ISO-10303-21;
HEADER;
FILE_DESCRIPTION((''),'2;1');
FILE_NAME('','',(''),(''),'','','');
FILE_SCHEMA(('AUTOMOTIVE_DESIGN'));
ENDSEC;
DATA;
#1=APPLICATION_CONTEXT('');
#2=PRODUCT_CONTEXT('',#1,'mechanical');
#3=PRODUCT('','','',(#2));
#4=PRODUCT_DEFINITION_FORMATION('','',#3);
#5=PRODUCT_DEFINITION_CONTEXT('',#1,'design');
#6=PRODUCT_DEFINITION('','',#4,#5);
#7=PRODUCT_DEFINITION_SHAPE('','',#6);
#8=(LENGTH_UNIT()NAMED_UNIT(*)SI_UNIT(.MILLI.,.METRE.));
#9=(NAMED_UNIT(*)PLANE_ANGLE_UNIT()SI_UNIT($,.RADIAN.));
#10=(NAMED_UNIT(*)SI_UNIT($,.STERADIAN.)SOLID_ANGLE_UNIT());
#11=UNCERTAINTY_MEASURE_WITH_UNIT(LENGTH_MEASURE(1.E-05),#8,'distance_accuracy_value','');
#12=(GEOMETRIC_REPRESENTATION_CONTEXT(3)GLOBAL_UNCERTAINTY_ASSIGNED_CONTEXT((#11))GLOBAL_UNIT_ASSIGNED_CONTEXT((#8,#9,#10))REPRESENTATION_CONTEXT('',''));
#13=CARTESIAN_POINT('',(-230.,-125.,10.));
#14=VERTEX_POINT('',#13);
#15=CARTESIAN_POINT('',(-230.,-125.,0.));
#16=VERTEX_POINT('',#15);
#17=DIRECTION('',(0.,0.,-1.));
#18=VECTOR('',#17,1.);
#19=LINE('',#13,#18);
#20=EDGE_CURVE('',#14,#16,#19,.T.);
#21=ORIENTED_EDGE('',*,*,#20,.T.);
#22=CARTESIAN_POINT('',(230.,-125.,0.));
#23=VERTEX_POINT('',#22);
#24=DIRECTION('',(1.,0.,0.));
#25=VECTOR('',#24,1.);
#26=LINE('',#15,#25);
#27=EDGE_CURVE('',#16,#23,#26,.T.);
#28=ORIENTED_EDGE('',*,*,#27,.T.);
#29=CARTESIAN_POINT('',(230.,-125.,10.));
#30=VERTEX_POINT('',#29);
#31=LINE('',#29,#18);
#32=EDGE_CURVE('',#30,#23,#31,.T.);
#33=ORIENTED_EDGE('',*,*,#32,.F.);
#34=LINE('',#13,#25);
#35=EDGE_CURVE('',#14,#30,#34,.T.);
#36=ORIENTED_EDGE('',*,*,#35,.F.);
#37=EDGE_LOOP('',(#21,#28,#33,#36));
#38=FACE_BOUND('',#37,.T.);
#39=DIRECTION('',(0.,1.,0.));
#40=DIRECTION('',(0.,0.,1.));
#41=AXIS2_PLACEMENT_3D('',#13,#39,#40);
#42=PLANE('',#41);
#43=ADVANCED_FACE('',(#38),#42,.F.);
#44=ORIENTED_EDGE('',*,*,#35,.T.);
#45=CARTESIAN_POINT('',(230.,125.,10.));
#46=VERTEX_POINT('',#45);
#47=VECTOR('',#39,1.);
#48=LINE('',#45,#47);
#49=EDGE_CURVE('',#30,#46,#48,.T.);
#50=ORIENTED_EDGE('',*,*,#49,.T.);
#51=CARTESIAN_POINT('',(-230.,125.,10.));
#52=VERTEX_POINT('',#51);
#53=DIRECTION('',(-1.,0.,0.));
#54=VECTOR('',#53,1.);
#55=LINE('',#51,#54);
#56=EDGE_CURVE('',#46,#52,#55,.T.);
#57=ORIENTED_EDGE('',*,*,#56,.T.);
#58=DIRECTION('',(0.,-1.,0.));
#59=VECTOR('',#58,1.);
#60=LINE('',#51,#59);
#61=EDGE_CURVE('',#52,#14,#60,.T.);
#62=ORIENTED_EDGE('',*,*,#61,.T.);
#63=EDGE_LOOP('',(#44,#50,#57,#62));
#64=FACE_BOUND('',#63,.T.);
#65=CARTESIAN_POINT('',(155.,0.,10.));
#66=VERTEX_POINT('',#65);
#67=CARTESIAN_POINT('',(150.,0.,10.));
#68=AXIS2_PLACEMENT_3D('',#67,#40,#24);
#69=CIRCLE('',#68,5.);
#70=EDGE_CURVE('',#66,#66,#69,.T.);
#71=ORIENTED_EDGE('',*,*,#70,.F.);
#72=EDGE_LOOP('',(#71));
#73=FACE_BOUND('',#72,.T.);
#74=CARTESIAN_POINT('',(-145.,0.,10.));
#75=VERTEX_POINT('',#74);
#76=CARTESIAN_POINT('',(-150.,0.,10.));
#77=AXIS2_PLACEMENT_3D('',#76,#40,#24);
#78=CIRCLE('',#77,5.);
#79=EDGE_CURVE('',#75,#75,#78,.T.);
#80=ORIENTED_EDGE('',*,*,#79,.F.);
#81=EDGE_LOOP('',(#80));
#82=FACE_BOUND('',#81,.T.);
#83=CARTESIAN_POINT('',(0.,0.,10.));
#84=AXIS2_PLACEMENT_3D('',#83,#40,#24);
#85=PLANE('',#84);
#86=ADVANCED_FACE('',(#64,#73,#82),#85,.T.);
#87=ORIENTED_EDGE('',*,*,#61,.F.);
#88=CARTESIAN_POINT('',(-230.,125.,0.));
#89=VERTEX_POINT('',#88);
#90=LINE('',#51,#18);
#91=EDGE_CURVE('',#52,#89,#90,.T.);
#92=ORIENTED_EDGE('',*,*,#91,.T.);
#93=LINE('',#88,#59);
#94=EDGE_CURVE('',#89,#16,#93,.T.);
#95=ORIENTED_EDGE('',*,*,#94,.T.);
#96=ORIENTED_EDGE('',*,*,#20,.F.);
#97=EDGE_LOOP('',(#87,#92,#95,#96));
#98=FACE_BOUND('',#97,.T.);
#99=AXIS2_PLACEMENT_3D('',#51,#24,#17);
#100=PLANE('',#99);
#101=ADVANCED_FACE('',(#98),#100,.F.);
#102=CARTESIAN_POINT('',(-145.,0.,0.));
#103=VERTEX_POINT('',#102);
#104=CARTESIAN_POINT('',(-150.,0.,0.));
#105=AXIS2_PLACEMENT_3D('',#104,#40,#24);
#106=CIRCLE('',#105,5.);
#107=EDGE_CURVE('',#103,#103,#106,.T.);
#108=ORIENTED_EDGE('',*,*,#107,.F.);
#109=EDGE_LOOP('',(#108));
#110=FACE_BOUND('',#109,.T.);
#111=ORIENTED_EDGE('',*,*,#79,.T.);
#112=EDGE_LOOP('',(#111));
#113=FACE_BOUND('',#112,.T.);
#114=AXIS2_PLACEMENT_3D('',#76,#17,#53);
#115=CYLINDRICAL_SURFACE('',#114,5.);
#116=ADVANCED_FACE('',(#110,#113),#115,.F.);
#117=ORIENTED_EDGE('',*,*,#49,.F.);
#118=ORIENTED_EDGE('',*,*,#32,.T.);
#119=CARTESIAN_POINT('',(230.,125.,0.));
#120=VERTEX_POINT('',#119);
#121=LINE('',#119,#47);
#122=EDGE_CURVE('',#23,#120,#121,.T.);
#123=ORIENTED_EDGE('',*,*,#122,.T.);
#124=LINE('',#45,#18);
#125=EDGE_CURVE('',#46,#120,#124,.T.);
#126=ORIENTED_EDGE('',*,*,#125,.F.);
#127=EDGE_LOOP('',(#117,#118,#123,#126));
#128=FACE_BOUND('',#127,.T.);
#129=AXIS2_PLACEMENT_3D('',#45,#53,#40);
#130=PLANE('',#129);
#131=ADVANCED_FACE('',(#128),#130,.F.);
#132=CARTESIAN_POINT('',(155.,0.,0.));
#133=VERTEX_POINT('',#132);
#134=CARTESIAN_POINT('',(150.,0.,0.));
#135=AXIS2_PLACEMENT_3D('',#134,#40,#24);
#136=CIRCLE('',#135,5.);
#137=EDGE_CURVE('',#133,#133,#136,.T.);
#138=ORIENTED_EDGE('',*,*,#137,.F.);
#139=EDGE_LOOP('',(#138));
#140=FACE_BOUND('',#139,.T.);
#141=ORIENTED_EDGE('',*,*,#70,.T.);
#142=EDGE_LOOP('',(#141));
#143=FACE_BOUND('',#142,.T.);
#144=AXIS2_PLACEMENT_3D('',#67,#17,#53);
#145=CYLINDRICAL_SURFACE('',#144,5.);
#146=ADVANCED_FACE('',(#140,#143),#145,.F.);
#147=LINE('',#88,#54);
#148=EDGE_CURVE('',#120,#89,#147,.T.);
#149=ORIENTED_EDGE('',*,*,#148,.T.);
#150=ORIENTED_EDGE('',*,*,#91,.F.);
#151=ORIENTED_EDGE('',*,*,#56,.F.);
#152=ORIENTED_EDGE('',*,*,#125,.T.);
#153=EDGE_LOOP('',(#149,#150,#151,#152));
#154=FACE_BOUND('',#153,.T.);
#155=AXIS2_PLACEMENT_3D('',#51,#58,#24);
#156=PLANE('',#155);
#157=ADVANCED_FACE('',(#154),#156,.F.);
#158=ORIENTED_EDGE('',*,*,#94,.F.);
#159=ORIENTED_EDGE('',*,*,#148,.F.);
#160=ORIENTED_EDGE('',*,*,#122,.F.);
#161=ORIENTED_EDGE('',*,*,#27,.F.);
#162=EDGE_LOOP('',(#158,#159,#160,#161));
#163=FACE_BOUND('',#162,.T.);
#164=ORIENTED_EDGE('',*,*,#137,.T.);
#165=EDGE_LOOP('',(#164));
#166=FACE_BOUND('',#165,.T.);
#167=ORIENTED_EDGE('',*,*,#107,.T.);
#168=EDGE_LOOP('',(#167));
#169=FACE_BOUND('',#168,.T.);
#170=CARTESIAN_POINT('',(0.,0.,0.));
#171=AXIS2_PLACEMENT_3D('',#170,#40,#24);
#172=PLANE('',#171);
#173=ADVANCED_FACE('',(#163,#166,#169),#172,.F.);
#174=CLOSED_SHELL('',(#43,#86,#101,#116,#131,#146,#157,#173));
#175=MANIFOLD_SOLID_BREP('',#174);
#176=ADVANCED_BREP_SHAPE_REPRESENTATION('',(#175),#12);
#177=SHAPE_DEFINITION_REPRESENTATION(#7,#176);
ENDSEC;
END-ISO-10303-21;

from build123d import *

# Parameters (mm, degrees)
SKIZZE1_W                       = 460
SKIZZE1_H                       = 250
SKIZZE1_R                       = 5
AUFSATZ_LINEAR_AUSTRAGEN1_DEPTH = 10


with BuildPart() as part:
    # Skizze1 → Aufsatz-Linear austragen1 (new body)
    with BuildSketch(Plane.XY):
        Rectangle(SKIZZE1_W, SKIZZE1_H)
        with Locations((-150, 0)):
            Circle(SKIZZE1_R, mode=Mode.SUBTRACT)
        with Locations((150, 0)):
            Circle(SKIZZE1_R, mode=Mode.SUBTRACT)
    extrude(amount=AUFSATZ_LINEAR_AUSTRAGEN1_DEPTH)


solid = part.part
